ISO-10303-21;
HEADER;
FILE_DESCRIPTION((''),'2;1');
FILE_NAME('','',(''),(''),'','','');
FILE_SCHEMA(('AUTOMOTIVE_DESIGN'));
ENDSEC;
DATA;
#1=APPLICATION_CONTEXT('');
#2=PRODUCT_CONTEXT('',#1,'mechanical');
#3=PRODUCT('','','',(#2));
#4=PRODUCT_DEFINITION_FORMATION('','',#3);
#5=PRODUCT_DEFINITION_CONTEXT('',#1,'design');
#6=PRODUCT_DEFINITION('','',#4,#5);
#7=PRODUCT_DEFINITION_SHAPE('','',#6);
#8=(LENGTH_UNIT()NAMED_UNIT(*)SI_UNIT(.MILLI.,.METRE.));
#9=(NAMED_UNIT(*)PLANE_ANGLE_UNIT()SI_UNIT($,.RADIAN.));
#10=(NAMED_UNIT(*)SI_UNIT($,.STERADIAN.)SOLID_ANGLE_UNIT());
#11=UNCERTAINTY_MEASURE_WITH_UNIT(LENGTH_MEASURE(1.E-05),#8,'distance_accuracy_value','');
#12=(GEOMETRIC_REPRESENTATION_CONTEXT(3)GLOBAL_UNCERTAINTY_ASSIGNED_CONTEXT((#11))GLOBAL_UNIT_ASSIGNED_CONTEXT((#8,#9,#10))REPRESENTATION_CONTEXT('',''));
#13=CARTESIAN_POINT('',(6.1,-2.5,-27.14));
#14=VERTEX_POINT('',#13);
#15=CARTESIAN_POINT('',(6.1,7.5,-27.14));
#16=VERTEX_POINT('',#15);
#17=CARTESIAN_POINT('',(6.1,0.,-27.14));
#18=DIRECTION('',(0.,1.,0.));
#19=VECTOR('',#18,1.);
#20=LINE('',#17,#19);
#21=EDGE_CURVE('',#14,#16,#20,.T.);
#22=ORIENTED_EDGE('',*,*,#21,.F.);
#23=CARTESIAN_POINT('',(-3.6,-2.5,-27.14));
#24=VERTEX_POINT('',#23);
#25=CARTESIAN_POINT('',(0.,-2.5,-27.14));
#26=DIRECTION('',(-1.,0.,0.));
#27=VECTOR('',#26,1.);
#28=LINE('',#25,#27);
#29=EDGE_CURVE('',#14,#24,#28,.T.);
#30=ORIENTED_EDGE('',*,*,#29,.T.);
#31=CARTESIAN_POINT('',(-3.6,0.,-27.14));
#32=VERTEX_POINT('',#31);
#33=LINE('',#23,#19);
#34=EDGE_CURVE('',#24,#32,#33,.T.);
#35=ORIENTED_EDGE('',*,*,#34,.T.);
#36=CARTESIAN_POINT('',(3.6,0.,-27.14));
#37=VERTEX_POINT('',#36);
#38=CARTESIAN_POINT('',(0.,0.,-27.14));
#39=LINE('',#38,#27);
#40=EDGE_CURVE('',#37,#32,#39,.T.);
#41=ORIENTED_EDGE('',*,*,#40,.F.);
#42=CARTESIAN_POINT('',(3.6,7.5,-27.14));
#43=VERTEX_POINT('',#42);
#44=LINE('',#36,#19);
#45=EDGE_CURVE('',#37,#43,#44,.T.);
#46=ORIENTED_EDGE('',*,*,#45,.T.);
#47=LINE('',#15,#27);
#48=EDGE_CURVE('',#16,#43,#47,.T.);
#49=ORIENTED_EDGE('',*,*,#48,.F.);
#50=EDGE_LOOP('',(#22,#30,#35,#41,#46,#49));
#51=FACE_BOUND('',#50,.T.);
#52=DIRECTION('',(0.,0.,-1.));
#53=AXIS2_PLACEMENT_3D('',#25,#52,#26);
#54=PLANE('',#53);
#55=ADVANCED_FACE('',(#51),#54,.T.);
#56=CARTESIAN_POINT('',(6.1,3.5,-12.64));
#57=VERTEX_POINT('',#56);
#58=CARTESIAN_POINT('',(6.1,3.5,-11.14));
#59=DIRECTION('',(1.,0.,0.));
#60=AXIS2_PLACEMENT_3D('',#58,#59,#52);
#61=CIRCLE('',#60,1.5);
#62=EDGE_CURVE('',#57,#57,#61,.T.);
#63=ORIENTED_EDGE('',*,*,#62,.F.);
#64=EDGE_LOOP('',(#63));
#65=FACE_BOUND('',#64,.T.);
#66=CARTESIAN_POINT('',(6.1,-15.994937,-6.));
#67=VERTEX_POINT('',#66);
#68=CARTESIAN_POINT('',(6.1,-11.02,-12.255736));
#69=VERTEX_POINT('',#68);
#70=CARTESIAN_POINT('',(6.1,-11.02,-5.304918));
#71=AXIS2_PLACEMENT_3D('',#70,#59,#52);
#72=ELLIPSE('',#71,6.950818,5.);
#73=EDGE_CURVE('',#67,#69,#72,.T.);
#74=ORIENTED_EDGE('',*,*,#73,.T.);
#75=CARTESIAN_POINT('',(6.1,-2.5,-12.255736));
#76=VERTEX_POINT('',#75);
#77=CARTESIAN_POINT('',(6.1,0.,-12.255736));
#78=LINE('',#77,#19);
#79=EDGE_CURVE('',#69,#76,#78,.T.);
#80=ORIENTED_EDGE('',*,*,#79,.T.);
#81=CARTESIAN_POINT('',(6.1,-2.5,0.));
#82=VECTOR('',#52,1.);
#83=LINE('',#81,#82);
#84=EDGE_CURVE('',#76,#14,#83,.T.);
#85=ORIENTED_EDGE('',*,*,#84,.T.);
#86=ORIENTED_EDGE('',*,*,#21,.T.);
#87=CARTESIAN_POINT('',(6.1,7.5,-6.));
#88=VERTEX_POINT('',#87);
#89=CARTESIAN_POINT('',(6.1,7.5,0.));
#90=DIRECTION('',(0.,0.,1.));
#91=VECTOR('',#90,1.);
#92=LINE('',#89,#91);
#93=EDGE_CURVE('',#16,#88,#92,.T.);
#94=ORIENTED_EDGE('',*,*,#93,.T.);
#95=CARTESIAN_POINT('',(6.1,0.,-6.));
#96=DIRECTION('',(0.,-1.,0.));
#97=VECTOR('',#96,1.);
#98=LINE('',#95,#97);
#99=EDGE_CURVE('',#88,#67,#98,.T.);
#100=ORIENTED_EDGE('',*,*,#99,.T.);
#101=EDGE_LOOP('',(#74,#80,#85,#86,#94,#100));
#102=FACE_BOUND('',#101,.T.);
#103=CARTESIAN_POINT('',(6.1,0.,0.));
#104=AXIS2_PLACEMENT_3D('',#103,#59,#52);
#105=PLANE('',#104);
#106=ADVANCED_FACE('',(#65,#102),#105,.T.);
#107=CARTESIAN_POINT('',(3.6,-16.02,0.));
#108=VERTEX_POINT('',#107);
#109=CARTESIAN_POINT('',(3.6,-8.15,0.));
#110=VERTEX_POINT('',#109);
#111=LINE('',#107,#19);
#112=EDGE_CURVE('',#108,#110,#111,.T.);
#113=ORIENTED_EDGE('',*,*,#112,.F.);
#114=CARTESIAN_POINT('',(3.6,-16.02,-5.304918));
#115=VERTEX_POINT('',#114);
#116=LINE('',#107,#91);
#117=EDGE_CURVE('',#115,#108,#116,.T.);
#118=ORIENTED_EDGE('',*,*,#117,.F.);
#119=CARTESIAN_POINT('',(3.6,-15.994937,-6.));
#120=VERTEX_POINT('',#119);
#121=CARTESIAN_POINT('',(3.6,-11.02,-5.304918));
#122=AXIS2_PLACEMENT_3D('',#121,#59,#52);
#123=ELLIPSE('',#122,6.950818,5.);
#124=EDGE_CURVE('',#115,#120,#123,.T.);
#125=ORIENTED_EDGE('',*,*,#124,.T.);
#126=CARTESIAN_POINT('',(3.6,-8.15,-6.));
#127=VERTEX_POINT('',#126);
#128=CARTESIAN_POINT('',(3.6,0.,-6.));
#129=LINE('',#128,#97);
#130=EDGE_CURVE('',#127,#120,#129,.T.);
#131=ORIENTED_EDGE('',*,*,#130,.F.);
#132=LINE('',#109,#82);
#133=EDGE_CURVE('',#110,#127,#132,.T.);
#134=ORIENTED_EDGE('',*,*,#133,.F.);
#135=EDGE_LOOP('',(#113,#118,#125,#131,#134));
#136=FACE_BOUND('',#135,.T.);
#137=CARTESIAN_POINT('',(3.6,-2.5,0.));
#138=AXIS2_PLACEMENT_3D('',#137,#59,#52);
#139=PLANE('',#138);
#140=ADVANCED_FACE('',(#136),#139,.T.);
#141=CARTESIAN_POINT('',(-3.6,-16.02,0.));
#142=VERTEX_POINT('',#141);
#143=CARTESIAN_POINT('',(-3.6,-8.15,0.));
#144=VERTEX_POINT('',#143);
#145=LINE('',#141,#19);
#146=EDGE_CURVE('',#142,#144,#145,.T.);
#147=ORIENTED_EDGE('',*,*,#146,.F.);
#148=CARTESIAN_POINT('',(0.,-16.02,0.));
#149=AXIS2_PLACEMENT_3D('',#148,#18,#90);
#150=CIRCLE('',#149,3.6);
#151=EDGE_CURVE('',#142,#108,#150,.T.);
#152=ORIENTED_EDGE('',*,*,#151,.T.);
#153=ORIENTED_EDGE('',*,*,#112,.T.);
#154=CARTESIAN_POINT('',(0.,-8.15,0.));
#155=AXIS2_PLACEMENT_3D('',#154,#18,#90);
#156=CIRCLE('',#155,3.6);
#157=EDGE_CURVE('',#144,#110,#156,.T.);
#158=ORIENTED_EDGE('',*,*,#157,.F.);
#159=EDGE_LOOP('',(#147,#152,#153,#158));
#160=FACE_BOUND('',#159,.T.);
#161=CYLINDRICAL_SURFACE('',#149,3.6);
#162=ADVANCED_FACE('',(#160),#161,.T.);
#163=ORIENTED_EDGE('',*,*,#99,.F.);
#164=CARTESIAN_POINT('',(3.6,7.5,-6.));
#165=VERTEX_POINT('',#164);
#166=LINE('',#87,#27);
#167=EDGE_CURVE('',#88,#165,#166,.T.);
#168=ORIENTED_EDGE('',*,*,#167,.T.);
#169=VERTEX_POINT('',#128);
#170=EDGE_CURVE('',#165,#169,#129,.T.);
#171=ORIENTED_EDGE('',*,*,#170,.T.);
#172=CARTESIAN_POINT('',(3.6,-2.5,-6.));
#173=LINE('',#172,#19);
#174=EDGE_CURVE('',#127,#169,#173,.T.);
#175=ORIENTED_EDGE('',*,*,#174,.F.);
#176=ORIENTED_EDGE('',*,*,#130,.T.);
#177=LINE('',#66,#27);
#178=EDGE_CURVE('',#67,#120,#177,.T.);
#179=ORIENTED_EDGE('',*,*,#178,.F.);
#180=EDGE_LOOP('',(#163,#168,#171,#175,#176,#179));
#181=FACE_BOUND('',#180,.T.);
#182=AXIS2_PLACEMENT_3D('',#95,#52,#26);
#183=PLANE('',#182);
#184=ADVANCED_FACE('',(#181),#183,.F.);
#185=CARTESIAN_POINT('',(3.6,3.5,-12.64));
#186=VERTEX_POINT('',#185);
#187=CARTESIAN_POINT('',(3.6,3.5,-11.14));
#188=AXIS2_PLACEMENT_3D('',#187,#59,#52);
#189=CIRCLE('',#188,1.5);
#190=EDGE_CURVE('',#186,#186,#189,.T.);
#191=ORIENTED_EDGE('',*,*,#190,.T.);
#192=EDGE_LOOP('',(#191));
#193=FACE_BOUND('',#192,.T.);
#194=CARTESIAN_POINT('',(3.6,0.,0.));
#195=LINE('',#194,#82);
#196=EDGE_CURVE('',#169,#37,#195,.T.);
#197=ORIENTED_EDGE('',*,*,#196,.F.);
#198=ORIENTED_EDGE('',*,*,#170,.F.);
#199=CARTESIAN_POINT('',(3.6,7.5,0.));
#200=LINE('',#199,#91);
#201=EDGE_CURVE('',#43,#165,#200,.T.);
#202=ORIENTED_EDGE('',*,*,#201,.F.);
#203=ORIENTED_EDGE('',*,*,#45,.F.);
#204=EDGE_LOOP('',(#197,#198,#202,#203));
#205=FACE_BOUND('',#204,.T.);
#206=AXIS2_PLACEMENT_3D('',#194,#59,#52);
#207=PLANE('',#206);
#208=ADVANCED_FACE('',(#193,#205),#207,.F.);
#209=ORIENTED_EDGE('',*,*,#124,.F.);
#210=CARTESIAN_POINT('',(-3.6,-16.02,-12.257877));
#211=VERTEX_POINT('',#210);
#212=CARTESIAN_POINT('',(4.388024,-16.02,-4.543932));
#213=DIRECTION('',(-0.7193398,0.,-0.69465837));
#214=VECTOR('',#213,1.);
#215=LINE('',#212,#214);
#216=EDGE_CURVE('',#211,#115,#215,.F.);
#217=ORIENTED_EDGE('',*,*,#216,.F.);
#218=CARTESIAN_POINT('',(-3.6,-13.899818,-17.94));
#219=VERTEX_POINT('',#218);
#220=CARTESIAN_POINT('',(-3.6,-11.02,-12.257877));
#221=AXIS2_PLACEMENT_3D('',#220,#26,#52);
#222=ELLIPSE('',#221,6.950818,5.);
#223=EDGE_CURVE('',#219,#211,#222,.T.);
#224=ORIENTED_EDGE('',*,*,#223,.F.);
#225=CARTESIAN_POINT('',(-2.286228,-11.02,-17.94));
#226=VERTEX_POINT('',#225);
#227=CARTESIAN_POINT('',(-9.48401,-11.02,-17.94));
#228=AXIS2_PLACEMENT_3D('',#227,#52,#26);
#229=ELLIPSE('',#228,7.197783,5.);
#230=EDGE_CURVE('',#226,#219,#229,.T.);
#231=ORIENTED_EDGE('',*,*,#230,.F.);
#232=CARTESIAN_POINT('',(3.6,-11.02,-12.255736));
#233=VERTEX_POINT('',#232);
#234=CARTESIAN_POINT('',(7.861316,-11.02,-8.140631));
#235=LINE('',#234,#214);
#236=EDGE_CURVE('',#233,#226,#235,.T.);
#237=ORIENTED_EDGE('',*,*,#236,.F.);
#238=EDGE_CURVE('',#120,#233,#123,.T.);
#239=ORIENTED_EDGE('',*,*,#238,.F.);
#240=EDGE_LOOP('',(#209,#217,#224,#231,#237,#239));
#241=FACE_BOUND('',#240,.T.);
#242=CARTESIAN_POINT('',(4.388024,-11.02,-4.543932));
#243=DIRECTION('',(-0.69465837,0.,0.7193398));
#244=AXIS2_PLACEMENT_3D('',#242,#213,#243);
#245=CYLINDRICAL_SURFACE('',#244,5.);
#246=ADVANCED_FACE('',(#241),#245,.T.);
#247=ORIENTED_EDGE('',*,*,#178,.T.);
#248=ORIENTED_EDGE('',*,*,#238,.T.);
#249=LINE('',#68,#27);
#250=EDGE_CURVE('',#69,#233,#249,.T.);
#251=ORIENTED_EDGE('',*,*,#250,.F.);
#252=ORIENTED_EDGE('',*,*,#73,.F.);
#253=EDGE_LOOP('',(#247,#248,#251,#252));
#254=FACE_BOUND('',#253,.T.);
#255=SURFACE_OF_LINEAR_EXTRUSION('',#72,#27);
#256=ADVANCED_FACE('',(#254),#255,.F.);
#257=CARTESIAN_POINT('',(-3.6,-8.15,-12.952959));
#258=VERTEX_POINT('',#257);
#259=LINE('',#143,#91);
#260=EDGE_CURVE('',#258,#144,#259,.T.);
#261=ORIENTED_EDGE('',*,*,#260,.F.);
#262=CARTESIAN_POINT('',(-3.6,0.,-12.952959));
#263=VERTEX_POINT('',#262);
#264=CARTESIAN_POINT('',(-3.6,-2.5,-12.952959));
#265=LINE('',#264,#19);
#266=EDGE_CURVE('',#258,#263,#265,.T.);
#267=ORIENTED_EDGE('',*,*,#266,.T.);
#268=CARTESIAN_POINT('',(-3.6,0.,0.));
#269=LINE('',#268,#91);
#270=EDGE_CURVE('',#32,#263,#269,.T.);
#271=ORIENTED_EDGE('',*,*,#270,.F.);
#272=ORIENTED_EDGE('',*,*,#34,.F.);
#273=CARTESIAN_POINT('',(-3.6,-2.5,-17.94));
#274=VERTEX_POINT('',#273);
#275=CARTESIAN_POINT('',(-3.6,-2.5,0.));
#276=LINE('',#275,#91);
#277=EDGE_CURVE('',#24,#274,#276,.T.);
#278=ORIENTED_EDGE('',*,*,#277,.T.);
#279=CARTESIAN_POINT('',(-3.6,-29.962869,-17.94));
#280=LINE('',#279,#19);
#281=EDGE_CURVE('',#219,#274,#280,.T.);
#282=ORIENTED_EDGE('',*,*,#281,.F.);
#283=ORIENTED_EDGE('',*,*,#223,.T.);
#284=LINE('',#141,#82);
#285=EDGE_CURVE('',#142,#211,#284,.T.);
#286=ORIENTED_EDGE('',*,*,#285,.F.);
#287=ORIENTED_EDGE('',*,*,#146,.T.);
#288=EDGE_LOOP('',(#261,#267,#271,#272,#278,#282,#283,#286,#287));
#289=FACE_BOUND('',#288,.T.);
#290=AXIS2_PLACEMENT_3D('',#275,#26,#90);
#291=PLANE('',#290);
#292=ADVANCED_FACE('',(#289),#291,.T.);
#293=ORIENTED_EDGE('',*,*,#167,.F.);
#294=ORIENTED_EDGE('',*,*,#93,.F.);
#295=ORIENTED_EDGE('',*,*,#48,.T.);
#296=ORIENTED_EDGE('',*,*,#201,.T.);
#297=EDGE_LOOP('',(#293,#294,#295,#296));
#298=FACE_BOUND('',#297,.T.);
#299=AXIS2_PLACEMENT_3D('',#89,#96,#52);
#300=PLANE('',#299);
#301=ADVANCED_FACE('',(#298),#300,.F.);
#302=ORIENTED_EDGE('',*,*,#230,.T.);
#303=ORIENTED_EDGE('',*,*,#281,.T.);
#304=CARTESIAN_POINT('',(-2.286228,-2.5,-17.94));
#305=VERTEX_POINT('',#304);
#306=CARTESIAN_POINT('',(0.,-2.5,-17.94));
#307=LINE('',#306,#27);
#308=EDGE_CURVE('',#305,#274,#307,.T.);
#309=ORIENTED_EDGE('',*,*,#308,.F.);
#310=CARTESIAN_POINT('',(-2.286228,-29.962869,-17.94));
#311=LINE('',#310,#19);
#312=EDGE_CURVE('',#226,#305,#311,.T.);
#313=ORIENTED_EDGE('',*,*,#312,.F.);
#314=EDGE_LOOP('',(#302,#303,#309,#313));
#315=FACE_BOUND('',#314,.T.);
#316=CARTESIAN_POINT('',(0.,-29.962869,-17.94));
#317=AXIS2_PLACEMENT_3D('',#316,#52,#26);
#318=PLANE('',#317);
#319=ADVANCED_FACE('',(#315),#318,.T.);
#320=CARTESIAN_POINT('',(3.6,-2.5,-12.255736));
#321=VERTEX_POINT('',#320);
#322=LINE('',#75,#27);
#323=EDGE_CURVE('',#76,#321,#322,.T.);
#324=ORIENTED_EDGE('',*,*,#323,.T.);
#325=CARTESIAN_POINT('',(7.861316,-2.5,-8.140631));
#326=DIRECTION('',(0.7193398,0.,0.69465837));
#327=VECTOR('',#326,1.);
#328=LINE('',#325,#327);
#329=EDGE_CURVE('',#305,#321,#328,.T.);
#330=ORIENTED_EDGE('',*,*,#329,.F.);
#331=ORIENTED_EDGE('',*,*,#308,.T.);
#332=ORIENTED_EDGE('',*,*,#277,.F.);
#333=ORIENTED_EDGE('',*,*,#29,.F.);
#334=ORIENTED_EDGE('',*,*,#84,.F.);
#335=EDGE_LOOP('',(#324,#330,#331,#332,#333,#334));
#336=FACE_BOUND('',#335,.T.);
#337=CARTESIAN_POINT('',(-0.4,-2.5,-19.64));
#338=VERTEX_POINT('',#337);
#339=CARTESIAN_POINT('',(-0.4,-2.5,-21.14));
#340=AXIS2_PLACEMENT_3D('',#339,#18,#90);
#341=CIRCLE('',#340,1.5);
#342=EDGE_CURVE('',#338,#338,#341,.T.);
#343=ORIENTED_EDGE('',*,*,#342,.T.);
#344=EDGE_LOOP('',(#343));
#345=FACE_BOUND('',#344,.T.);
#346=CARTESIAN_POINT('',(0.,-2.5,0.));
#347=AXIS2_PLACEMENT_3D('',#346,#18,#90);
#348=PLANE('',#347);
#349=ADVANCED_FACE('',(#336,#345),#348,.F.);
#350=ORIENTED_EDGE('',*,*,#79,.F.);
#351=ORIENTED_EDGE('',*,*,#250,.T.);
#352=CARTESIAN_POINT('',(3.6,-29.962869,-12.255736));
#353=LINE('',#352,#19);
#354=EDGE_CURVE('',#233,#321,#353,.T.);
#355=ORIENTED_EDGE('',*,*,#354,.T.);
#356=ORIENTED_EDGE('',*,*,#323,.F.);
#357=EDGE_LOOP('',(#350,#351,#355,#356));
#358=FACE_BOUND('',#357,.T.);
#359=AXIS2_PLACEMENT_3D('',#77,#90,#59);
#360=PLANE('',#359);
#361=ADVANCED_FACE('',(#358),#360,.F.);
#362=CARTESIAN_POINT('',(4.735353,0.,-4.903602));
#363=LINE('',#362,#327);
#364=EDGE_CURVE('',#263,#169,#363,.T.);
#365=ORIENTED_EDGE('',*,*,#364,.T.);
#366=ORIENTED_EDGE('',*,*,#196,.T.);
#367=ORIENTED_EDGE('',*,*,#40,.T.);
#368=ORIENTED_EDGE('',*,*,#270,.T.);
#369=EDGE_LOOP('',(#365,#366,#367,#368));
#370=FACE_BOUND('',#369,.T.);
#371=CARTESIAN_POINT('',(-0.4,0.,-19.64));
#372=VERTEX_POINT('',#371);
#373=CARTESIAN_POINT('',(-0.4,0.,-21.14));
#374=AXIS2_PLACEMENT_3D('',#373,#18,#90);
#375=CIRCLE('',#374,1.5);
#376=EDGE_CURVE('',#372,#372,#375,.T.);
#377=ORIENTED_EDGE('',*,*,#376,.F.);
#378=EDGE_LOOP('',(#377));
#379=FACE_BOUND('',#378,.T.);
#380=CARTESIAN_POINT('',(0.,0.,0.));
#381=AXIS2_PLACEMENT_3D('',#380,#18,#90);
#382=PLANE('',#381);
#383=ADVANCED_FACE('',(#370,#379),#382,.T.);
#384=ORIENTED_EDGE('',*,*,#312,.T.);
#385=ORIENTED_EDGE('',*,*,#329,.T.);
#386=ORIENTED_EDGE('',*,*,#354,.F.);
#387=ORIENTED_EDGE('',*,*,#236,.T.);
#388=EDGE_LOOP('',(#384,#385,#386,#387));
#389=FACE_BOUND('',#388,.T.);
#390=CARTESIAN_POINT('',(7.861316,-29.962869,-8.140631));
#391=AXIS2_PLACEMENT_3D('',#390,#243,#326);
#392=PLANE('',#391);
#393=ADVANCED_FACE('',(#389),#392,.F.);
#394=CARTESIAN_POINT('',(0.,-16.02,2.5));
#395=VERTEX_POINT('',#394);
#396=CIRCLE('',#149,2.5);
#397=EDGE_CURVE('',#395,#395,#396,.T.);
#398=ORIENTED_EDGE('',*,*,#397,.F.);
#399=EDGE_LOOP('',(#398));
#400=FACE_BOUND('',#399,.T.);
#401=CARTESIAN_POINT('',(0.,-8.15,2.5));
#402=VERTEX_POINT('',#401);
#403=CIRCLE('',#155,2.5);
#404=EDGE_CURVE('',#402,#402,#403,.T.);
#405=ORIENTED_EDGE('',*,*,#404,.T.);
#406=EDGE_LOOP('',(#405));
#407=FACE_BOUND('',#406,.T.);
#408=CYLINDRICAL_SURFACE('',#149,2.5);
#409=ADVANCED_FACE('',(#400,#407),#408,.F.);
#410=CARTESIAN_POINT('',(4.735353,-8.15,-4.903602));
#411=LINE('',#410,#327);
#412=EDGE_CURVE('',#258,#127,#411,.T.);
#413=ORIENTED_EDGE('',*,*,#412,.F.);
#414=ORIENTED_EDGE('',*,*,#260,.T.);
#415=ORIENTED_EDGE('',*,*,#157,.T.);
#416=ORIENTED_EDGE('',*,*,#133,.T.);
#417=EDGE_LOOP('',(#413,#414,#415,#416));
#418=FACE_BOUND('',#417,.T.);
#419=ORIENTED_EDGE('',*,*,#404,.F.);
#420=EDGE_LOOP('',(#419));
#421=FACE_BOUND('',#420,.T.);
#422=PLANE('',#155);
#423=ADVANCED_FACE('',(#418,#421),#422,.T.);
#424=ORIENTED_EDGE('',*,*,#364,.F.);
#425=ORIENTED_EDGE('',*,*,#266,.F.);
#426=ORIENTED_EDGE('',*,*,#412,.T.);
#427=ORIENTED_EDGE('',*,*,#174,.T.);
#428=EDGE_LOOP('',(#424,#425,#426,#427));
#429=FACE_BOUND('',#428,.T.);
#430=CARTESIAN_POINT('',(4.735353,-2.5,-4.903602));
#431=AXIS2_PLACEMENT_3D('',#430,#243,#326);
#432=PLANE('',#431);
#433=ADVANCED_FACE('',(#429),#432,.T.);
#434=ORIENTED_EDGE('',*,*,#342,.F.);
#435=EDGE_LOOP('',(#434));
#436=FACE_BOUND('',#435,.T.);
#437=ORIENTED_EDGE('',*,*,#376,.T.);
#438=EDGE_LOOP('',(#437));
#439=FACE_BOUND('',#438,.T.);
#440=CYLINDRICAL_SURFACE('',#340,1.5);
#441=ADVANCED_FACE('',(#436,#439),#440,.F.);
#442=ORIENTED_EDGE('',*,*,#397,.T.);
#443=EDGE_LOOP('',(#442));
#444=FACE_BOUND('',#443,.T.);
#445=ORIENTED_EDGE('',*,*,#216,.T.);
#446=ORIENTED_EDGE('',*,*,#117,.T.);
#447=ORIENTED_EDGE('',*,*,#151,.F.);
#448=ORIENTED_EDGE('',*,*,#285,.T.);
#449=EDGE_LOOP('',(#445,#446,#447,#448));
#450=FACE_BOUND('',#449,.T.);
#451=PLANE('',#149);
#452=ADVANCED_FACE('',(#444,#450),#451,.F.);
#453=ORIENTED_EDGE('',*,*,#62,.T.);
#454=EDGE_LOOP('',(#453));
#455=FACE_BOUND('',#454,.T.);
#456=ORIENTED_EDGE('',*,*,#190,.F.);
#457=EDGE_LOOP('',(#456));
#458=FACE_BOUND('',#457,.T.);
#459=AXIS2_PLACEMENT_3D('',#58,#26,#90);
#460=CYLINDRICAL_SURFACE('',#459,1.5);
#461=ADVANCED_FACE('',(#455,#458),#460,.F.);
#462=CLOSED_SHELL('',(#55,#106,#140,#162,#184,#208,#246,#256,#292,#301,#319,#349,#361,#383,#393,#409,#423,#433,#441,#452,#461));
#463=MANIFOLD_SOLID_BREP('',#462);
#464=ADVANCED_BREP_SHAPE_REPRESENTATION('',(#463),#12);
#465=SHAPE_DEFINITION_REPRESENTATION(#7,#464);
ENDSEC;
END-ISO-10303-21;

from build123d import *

# Parameters (mm, degrees)
CROQUIS1_R              = 1.5
SALIENTE_EXTRUIR1_DEPTH = 2.5
SALIENTE_EXTRUIR2_START = -8.15
CROQUIS1_4_R            = 2.5
SALIENTE_EXTRUIR2_DEPTH = 7.87
SALIENTE_EXTRUIR3_DEPTH = 16.02
REDONDEO1_R             = 5
CROQUIS3_W              = 21.14
CROQUIS3_H              = 7.5
CROQUIS3_R              = 1.5
SALIENTE_EXTRUIR4_DEPTH = 2.5


with BuildPart() as part:
    # Croquis1 → Saliente-Extruir1 (new body)
    with BuildSketch(Plane(origin=(0, 0, 0), x_dir=(1, 0, 0), z_dir=(0, 1, 0))):
        Polygon((3.6, 27.14), (-3.6, 27.14), (-3.6, 12.952959179), (3.6, 6), align=None)
        with Locations(Location((-0.4, 21.14, 0), (0, 0, 270))):
            Circle(CROQUIS1_R, mode=Mode.SUBTRACT)
    extrude(amount=-SALIENTE_EXTRUIR1_DEPTH)



with BuildPart() as body_2:
    # Croquis1<4> → Saliente-Extruir2 (new body)
    with BuildSketch(Plane(origin=(0, 0, 0), x_dir=(1, 0, 0), z_dir=(0, 1, 0)).offset(SALIENTE_EXTRUIR2_START)):
        with BuildLine():
            Line((3.6, 6), (-3.6, 12.952959179))
            Line((-3.6, 12.952959179), (-3.6, 0))
            ThreePointArc((-3.6, 0), (0, -3.6), (3.6, 0))
            Line((3.6, 0), (3.6, 6))
        make_face()
        with Locations(Location((0, 0, 0), (0, 0, 270))):
            Circle(CROQUIS1_4_R, mode=Mode.SUBTRACT)
    extrude(amount=-SALIENTE_EXTRUIR2_DEPTH)


with BuildPart() as part_1:
    add(part.part)

    add(body_2.part)  # Saliente-Extruir3 merges body 2
    # Croquis1<5> → Saliente-Extruir3 (add)
    with BuildSketch(Plane(origin=(0, 0, 0), x_dir=(1, 0, 0), z_dir=(0, 1, 0))):
        Polygon((-2.286227518, 17.94), (-3.6, 17.94), (-3.6, 12.952959179), (3.6, 6), (3.6, 12.25573616), align=None)
    extrude(amount=-SALIENTE_EXTRUIR3_DEPTH)

    # Redondeo1
    redondeo1_edges = [part_1.edges().sort_by_distance(p)[0] for p in [
        (0.656886241, -16.02, -15.09786808),
    ]]
    fillet(redondeo1_edges, radius=REDONDEO1_R)

    # Croquis3 → Saliente-Extruir4 (add)
    # profile 1 of 2: a face of its own
    with BuildSketch(Plane(origin=(3.6, 0, 0), x_dir=(0, 0, -1), z_dir=(1, 0, 0))):
        with BuildLine():
            Line((6, 0), (6, -8.15))
            Line((6, -8.15), (6, -15.994937186))
            add(Edge.make_bspline(
                [(6, -15.994937186), (12.25573616, -15.542670169), (12.25573616, -11.02)],
                knots=[4.821475205, 4.821475205, 4.821475205, 6.283185307, 6.283185307, 6.283185307], degree=2, weights=[0.962144349, 0.727447175, 1]))
            Line((12.25573616, -11.02), (12.25573616, -2.5))
            Line((12.25573616, -2.5), (27.14, -2.5))
            Line((27.14, -2.5), (27.14, 0))
            Line((27.14, 0), (6, 0))
        make_face()
    # profile 2 of 2: a face of its own
    with BuildSketch(Plane(origin=(3.6, 0, 0), x_dir=(0, 0, -1), z_dir=(1, 0, 0))):
        with Locations((16.57, 3.75)):
            Rectangle(CROQUIS3_W, CROQUIS3_H)
        with Locations((11.14, 3.5)):
            Circle(CROQUIS3_R, mode=Mode.SUBTRACT)
    extrude(amount=SALIENTE_EXTRUIR4_DEPTH)


solid = part_1.part
